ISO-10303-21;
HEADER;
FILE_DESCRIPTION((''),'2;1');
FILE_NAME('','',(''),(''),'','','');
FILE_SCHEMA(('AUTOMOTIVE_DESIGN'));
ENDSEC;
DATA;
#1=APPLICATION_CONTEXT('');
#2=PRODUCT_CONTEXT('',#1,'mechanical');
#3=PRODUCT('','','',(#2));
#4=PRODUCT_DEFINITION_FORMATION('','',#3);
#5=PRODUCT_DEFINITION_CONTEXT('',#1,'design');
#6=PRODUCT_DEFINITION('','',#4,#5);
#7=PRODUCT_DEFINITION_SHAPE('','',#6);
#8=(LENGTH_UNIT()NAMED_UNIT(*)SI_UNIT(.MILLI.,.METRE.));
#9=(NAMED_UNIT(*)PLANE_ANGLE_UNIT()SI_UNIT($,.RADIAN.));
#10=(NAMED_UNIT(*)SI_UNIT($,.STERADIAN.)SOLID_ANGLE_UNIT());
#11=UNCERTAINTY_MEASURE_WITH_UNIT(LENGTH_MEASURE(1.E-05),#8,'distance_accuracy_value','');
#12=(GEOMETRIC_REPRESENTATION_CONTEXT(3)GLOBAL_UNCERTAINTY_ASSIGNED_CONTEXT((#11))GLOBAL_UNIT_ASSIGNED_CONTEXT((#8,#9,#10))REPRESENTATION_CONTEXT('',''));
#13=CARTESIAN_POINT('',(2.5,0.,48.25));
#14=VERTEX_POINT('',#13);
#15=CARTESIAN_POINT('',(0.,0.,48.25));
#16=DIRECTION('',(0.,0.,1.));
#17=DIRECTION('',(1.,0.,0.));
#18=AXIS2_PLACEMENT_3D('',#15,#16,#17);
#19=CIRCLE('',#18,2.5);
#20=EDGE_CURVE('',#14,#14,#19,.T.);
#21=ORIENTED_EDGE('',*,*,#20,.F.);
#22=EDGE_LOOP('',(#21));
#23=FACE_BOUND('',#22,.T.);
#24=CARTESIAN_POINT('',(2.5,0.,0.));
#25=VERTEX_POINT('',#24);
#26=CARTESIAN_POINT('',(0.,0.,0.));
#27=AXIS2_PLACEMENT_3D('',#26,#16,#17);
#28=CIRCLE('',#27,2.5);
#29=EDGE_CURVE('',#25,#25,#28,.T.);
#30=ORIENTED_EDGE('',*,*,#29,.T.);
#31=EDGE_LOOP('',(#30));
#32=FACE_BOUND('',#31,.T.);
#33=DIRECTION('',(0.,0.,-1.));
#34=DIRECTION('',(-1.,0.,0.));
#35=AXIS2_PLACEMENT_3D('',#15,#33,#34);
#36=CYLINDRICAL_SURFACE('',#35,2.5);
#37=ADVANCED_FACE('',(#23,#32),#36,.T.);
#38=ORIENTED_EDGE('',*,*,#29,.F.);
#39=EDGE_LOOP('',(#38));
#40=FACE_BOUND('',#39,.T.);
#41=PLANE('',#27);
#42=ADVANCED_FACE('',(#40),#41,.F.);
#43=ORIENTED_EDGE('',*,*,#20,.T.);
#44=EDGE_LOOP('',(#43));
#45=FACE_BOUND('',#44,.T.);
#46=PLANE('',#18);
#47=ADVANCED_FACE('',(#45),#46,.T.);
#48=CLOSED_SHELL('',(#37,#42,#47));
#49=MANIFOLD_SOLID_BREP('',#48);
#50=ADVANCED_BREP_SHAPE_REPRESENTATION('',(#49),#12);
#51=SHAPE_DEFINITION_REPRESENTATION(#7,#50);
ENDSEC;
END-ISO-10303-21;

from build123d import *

# Parameters (mm, degrees)
SKETCH1_R           = 2.5
BOSS_EXTRUDE1_DEPTH = 48.25


with BuildPart() as part:
    # Sketch1 → Boss-Extrude1 (new body)
    with BuildSketch(Plane.XY):
        Circle(SKETCH1_R)
    extrude(amount=BOSS_EXTRUDE1_DEPTH)


solid = part.part
